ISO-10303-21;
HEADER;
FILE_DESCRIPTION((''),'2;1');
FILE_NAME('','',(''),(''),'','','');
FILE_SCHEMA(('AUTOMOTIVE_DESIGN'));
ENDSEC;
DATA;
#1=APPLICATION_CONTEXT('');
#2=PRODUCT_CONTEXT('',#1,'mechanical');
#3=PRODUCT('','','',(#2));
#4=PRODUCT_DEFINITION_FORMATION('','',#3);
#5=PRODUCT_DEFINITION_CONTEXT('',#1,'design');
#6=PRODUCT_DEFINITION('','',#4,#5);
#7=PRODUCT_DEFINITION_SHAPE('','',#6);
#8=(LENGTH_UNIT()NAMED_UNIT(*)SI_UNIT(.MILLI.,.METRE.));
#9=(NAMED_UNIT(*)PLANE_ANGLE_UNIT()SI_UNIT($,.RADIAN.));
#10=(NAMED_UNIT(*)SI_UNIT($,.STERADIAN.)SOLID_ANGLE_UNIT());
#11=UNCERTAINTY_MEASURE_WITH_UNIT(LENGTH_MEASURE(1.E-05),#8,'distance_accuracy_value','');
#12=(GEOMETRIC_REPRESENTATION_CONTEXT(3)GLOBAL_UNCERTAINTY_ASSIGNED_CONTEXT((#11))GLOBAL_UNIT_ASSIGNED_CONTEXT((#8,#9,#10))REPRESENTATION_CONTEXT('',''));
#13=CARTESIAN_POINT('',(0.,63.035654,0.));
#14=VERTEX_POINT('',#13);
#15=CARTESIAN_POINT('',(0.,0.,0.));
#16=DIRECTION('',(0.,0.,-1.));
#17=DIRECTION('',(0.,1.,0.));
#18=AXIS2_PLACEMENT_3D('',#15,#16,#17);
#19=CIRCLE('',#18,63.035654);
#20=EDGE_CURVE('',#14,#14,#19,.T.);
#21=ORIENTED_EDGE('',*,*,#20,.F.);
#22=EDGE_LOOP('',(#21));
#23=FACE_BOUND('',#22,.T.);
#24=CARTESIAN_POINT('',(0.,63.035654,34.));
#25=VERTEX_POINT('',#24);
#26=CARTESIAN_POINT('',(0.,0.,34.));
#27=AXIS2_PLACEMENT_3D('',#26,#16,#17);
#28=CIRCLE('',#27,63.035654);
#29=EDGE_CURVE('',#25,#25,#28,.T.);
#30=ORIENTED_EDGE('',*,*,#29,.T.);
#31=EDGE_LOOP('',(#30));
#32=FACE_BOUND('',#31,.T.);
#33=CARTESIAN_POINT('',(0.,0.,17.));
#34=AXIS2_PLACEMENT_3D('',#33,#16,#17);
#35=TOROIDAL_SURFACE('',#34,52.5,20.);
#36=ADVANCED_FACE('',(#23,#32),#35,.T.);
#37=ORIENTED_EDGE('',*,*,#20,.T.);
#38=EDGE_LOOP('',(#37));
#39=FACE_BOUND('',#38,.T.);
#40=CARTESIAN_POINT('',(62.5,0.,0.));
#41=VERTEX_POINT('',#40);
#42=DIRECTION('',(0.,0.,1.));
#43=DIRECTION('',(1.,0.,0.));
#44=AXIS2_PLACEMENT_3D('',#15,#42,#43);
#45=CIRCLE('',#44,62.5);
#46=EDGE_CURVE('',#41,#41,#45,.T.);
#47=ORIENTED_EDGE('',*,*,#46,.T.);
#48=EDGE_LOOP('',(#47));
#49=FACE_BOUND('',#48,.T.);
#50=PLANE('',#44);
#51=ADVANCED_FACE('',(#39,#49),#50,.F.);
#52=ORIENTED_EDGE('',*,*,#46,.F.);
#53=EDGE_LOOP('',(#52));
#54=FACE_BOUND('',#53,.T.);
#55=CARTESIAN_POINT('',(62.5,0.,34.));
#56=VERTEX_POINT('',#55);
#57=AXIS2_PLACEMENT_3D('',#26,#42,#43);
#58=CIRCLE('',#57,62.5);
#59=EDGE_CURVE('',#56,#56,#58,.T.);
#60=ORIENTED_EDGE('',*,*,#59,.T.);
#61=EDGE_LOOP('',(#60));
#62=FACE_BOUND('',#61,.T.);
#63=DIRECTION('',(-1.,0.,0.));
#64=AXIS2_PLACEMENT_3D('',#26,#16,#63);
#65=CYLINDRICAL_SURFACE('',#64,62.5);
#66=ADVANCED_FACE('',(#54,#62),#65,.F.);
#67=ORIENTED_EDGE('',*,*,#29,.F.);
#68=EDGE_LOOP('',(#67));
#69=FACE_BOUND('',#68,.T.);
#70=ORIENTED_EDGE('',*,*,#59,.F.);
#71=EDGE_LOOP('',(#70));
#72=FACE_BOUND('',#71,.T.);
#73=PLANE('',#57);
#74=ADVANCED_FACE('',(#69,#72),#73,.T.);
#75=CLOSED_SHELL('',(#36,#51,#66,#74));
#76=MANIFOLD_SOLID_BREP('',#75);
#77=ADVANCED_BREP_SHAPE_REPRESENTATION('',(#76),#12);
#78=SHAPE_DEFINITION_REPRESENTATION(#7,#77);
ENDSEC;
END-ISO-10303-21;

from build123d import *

# Parameters (mm, degrees)
SKETCH_1_R      = 72.5
SKETCH_1_R_2    = 62.5
EXTRUDE_1_DEPTH = 34


with BuildPart() as part:
    # 草图1 → 凸台-拉伸1 (new body)
    with BuildSketch(Plane.XY):
        Circle(SKETCH_1_R)
        Circle(SKETCH_1_R_2, mode=Mode.SUBTRACT)
    extrude(amount=EXTRUDE_1_DEPTH)

    # 草图3 → 切除-旋转1 (revolve, cut)
    with BuildSketch(Plane(origin=(0, 0, 0), x_dir=(0, 0, -1), z_dir=(1, 0, 0))):
        with BuildLine():
            Line((-34, 72.5), (-34, 63.035653753))
            ThreePointArc((-34, 63.035653753), (-26.728487163, 69.974453855), (-17, 72.5))
            Line((-17, 72.5), (-34, 72.5))
        make_face()
        with BuildLine():
            Line((0, 72.5), (-17, 72.5))
            ThreePointArc((-17, 72.5), (-7.271512837, 69.974453855), (0, 63.035653753))
            Line((0, 63.035653753), (0, 72.5))
        make_face()
    revolve(axis=Axis((0, 0, 0), (0, 0, 1)), mode=Mode.SUBTRACT)


solid = part.part
